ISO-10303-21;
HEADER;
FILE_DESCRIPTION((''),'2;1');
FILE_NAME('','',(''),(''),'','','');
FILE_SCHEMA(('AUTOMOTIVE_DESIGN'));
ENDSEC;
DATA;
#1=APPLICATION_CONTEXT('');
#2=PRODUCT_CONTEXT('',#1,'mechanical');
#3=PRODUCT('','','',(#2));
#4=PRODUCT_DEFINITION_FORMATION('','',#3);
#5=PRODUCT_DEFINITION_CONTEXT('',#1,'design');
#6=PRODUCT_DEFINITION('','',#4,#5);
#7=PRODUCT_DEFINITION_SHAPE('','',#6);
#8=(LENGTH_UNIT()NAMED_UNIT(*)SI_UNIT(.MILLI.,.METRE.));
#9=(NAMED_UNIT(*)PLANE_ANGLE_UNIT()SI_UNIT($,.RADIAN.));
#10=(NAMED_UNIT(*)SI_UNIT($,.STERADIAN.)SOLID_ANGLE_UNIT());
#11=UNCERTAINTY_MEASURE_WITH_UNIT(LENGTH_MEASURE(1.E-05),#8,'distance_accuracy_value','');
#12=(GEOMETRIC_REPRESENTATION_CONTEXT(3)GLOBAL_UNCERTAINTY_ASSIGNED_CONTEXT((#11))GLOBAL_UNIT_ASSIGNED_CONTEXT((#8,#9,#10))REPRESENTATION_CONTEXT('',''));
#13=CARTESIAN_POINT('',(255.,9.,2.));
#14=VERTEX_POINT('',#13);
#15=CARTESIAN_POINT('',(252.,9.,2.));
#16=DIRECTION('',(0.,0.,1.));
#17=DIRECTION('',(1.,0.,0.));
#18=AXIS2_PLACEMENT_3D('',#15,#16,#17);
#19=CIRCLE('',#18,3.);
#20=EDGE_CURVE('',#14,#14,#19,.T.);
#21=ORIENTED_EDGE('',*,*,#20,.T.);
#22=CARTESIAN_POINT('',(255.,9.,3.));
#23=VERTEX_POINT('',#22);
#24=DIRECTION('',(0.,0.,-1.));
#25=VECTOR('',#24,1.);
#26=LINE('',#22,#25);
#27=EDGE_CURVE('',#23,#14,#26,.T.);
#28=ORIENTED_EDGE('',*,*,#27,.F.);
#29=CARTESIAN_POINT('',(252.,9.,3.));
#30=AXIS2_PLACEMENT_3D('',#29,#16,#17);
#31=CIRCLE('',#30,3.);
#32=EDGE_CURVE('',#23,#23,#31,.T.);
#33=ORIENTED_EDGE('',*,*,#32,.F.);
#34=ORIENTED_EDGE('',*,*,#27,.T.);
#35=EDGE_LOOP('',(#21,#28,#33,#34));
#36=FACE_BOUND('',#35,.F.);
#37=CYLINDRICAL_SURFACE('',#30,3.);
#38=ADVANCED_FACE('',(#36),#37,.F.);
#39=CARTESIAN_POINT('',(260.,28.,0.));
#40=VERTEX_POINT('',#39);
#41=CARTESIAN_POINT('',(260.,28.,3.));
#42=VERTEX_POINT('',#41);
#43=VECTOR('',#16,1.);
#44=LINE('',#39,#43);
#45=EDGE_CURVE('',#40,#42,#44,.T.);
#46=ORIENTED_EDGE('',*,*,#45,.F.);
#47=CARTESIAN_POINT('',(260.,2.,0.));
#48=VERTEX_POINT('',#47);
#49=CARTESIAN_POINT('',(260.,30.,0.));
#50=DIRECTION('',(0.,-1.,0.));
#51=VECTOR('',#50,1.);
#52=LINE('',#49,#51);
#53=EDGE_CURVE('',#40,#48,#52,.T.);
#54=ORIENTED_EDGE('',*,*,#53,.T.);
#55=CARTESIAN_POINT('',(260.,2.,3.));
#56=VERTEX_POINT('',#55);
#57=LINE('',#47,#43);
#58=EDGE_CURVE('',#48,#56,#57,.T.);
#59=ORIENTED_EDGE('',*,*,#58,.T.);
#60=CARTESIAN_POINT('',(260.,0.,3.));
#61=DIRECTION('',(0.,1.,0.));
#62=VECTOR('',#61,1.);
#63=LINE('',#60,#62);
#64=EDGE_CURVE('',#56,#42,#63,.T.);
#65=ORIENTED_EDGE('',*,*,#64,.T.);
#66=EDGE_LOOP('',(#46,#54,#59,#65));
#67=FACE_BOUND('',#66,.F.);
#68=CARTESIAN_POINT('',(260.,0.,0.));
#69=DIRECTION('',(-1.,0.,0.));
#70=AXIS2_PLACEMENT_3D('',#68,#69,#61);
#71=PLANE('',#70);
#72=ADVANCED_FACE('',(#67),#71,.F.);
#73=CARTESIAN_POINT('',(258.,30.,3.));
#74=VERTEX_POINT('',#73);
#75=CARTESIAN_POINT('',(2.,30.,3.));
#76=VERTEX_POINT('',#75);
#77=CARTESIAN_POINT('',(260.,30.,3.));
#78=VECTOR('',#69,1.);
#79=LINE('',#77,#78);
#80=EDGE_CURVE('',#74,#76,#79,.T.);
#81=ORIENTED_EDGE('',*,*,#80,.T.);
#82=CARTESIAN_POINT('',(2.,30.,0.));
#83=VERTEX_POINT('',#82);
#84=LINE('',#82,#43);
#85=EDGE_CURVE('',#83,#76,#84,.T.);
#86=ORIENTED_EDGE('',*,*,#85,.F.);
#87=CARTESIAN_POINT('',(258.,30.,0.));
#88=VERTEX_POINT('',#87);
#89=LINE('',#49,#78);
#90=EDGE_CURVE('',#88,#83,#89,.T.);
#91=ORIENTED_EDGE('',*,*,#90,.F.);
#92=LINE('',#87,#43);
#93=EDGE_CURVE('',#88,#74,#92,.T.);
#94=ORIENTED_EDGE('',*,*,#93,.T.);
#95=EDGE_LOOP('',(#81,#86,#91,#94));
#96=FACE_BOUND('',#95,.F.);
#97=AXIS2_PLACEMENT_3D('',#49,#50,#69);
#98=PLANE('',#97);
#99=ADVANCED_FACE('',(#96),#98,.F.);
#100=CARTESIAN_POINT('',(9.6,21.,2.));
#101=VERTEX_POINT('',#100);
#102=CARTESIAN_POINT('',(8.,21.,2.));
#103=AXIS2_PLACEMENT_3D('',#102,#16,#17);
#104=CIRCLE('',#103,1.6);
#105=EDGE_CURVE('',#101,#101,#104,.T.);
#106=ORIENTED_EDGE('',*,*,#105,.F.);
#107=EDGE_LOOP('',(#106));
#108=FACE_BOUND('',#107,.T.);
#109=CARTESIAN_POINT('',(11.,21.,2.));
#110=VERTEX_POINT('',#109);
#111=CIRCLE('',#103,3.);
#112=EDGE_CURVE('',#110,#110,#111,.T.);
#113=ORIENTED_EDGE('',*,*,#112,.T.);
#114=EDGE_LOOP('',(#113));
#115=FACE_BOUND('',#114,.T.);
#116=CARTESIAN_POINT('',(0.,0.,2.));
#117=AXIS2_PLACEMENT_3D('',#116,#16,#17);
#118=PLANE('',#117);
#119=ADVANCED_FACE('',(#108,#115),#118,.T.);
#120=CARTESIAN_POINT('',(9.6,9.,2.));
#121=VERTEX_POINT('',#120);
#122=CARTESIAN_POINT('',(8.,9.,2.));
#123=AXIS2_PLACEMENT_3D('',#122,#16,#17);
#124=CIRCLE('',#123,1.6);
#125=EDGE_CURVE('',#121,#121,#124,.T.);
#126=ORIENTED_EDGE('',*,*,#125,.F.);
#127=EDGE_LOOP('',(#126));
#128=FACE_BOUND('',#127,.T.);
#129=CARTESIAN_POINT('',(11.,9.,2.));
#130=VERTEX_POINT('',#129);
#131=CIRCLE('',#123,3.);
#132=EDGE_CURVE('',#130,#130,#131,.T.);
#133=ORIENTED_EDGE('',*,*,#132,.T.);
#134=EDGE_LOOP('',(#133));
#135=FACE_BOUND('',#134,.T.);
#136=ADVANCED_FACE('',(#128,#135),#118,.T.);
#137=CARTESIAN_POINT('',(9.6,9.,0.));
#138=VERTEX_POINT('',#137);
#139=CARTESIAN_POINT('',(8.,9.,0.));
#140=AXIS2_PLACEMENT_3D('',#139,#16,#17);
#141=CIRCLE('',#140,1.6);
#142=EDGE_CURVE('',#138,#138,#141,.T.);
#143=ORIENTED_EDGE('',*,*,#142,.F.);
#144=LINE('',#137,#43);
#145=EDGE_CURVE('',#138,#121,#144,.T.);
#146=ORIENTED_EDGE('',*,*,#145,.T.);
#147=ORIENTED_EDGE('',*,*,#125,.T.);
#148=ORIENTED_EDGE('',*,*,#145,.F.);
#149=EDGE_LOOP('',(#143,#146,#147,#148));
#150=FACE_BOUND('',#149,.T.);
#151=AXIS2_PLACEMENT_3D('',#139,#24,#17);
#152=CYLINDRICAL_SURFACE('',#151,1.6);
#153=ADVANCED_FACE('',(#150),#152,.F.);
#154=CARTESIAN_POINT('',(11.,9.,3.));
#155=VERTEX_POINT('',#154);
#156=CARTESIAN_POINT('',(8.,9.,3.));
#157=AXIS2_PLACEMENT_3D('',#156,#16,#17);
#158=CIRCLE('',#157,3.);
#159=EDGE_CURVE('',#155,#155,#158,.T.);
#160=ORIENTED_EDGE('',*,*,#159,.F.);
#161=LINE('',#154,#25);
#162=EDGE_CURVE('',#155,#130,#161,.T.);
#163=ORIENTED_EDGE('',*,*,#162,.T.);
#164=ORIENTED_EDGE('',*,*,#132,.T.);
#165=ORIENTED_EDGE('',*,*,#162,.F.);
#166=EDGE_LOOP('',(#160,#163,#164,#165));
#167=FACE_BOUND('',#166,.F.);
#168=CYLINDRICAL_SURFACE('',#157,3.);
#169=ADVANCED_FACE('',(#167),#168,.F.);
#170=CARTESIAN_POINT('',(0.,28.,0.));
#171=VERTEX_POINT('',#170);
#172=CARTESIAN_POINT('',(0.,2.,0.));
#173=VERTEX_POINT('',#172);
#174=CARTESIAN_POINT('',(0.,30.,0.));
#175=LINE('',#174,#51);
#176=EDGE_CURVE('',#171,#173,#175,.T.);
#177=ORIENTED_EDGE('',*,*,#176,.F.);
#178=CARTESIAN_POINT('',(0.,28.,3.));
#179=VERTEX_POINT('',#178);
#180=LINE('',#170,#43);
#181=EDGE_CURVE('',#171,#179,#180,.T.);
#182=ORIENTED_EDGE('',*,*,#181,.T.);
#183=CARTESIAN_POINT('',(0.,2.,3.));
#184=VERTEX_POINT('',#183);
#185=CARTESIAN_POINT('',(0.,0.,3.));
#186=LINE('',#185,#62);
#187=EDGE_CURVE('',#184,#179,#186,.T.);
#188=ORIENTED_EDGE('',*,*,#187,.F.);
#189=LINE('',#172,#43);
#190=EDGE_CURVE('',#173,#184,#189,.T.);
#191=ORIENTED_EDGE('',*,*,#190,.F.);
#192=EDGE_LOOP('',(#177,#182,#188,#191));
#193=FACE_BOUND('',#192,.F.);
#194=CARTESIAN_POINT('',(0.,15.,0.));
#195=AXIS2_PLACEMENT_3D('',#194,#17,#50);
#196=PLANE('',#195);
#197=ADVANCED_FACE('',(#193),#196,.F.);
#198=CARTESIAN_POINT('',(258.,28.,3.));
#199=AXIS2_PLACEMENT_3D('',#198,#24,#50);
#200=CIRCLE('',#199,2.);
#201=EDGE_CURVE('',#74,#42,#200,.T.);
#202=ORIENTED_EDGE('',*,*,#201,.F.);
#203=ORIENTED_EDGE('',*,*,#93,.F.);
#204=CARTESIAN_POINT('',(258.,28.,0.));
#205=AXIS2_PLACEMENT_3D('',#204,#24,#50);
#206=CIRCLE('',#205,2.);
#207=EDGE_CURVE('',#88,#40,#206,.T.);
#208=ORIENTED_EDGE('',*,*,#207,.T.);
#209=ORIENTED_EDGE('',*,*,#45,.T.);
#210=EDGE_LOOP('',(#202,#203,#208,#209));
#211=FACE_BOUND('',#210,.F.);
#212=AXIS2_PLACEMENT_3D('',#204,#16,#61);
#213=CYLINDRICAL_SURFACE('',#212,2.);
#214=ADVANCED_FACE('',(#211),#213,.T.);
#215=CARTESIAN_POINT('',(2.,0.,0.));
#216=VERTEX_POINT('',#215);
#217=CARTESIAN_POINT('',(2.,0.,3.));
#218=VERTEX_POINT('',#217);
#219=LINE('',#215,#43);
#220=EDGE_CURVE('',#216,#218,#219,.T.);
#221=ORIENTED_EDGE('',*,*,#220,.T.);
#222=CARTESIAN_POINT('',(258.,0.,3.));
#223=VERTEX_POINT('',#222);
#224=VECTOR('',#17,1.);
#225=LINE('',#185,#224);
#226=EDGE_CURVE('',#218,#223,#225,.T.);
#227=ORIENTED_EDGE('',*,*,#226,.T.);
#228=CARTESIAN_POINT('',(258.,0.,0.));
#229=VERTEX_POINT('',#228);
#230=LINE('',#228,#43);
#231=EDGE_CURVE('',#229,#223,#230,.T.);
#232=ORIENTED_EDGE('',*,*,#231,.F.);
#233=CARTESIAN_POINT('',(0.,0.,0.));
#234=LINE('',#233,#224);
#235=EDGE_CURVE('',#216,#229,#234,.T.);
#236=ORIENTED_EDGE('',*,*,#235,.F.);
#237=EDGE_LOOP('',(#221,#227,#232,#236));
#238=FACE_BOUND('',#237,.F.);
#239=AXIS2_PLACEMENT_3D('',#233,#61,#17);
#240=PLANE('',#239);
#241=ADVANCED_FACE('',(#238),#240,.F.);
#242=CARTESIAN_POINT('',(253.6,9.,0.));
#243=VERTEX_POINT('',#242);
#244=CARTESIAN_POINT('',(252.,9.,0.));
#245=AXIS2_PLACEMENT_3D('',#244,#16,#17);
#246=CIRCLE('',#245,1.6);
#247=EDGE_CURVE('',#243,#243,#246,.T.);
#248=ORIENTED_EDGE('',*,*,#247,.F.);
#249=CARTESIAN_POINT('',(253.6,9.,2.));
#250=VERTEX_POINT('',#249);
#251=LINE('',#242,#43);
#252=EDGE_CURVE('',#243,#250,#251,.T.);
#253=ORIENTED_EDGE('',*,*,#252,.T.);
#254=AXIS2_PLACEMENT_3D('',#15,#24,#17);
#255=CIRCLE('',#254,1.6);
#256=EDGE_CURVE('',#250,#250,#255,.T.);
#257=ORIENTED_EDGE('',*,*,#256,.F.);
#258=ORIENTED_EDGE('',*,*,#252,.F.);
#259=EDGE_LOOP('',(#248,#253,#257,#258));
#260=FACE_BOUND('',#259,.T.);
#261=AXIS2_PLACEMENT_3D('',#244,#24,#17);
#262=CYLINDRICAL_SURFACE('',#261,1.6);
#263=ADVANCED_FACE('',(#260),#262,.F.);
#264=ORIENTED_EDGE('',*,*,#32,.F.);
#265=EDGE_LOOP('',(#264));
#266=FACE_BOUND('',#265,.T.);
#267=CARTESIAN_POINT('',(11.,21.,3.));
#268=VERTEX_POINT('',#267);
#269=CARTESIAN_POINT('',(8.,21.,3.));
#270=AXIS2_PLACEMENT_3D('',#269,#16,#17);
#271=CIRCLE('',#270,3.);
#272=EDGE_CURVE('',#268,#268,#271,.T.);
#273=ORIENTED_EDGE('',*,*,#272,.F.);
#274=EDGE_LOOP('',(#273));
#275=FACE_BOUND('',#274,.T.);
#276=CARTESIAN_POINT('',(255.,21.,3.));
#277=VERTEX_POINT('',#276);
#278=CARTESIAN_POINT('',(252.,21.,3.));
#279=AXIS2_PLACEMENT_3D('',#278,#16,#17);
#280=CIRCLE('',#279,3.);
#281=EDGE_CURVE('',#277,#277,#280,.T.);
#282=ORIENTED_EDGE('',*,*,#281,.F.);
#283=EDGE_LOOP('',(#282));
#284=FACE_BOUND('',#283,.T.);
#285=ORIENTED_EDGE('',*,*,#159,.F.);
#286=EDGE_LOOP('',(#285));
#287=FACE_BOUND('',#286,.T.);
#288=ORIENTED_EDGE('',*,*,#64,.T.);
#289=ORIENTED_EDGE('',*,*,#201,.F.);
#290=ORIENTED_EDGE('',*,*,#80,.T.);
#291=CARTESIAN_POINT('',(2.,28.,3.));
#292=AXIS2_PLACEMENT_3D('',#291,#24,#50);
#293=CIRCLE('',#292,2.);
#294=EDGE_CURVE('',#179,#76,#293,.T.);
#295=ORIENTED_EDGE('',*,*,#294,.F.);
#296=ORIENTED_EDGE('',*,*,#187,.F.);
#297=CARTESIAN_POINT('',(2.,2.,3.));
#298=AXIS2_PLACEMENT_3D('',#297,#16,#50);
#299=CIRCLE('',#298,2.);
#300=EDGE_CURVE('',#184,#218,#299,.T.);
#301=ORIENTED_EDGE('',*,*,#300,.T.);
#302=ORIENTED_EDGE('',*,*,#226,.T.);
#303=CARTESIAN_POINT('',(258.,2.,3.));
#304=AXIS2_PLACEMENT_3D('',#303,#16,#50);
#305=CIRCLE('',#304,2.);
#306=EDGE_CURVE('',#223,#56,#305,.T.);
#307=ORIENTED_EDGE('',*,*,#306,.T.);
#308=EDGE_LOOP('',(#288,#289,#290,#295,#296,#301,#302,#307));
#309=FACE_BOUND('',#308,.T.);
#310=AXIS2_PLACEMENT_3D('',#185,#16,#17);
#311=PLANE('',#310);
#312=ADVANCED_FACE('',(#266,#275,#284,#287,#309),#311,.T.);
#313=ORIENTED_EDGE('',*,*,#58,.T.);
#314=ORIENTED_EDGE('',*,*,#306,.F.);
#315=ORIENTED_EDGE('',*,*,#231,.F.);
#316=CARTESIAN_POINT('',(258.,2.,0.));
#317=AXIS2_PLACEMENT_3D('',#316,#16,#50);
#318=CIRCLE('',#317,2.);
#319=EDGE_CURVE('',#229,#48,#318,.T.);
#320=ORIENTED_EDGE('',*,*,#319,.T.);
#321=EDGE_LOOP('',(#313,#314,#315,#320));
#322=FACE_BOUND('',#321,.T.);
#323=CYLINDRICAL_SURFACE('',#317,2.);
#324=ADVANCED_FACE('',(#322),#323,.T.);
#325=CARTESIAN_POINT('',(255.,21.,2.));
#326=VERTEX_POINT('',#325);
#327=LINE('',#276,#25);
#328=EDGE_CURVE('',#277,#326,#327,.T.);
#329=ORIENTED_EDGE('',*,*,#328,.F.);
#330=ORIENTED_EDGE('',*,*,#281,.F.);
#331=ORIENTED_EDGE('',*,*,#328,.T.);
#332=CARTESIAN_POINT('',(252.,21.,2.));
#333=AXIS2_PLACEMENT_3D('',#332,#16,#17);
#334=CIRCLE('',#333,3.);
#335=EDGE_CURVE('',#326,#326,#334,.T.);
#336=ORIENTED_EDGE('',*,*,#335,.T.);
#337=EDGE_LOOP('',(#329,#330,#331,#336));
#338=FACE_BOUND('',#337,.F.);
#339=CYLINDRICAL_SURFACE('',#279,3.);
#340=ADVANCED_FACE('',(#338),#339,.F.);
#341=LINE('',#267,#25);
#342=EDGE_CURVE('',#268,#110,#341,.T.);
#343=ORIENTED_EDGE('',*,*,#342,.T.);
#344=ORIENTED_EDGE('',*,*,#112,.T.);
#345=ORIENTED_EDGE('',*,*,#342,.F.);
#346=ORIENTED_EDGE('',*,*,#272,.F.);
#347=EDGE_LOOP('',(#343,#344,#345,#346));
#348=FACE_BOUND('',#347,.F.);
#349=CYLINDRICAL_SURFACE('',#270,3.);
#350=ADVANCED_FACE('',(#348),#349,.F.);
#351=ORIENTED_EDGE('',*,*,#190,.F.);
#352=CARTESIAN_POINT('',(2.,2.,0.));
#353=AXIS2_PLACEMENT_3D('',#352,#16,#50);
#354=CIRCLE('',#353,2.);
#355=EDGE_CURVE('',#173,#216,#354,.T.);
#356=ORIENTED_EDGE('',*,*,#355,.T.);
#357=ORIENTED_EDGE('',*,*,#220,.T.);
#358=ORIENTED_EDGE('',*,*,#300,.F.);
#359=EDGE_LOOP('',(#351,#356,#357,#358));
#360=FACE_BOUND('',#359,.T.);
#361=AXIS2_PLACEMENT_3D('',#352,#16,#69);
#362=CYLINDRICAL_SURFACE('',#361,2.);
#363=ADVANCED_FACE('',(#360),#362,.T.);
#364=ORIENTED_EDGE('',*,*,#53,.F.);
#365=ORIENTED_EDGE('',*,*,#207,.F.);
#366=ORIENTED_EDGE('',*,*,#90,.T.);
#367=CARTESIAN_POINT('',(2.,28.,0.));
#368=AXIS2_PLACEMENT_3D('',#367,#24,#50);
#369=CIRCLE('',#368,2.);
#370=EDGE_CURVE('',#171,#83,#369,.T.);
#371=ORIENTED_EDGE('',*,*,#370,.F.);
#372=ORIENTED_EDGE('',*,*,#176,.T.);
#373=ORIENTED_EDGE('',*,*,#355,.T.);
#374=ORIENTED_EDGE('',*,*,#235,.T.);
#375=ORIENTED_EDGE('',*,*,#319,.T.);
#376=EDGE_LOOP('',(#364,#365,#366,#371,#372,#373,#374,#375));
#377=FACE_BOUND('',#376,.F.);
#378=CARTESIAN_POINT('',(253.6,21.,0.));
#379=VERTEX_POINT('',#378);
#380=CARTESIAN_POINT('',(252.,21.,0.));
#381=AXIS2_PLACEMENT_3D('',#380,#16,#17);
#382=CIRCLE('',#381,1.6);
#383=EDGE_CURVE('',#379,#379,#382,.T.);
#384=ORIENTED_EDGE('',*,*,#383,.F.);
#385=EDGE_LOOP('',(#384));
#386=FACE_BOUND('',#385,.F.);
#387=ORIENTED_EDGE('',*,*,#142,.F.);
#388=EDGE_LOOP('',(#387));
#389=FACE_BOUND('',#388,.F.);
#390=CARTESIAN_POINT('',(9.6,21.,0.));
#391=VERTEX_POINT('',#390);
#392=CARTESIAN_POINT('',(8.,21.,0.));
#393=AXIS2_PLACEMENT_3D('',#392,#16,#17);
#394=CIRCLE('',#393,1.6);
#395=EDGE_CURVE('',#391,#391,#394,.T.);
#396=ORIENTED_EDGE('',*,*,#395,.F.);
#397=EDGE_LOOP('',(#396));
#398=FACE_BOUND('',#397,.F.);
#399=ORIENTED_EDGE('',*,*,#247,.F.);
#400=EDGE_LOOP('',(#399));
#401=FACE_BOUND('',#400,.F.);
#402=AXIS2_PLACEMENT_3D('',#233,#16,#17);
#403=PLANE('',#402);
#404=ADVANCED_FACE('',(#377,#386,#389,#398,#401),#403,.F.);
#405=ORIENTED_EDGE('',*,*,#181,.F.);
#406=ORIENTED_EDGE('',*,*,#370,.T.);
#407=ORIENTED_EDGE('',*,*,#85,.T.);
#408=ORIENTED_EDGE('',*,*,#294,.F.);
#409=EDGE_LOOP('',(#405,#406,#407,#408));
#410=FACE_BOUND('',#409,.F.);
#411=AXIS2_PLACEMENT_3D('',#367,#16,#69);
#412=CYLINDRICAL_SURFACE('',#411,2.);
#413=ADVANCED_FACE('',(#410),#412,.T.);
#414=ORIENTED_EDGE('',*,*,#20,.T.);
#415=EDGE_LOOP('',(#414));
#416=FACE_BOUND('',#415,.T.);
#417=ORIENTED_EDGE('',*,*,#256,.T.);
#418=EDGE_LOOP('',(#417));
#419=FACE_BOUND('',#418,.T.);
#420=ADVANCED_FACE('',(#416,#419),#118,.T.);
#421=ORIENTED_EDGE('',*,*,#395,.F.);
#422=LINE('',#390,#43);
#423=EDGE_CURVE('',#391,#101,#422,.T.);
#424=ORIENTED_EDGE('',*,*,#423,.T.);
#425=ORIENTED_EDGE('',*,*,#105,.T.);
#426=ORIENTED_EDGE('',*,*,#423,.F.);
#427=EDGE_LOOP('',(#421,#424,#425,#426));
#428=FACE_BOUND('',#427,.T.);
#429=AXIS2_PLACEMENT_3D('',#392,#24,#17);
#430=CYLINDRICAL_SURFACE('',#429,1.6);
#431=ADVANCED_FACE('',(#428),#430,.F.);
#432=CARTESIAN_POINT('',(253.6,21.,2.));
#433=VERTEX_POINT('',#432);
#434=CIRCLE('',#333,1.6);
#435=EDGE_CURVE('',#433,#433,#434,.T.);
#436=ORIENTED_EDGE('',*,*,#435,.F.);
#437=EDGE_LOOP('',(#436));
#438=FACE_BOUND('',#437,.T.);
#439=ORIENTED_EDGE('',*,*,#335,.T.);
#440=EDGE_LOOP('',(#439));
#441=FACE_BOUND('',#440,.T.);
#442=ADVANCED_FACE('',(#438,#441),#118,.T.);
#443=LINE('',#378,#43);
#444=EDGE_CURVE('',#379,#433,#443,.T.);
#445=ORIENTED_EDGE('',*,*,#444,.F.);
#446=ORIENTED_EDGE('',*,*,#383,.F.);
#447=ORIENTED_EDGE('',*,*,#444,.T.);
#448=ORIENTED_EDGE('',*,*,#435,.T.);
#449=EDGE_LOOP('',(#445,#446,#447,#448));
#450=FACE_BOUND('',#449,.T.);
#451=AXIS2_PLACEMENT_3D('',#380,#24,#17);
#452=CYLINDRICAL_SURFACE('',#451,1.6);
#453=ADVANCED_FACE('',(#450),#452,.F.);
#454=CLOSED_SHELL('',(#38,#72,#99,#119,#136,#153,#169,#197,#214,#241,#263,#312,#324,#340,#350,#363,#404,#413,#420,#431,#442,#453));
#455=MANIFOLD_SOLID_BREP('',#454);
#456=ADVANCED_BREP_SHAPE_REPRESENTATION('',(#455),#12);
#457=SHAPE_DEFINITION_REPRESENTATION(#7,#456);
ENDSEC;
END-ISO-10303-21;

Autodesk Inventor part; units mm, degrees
ref_plane "YZ Plane" through (0, 0, 0) normal (1, 0, 0) x (0, 1, 0)
ref_plane "XZ Plane" through (0, 0, 0) normal (0, 1, 0) x (-1, 0, 0)
ref_plane "XY Plane" through (0, 0, 0) normal (0, 0, 1) x (1, 0, 0)
sketch "スケッチ1" plane through (0, 0, 0) normal (0, 0, 1) x (1, 0, 0)
  line L0 (0, 0) -> (260, 0)
  line L1 (260, 0) -> (260, 30)
  line L2 (260, 30) -> (0, 30)
  line L3 (0, 30) -> (0, 0)
  line L4 (0, 15) -> (260, 15)
  circle A0 centre (8, 21) radius 1.6
  circle A1 centre (8, 9) radius 1.6
  circle A2 centre (252, 21) radius 1.6
  circle A3 centre (252, 9) radius 1.6
  point P0 (8, 15)
  point P1 (252, 15)
  dimension "d0" = 260
  dimension "d1" = 244
  dimension "d2" = 8
  dimension "d3" = 30
  dimension "d4" = 15
  dimension "d5" = 9
  dimension "d6" = 9
  dimension "d7" = 9
  dimension "d8" = 9
  dimension "d9" = 3.2
  dimension "d10" = 3.2
  dimension "d11" = 3.2
  dimension "d12" = 3.2
extrude "押し出し1" add sketch "スケッチ1" along normal blind 3
sketch "スケッチ2" plane through (0, 0, 3) normal (0, 0, 1) x (1, 0, 0)
  line L0 (0, 30) -> (0, 0) projected
  line L1 (0, 0) -> (260, 0) projected
  line L2 (260, 0) -> (260, 30) projected
  line L3 (260, 30) -> (0, 30) projected
  circle A0 centre (8, 9) radius 1.6 projected
  circle A1 centre (252, 9) radius 1.6 projected
  circle A2 centre (252, 21) radius 1.6 projected
  circle A3 centre (8, 21) radius 1.6 projected
  circle A4 centre (8, 21) radius 3
  circle A5 centre (8, 9) radius 3
  circle A6 centre (252, 21) radius 3
  circle A7 centre (252, 9) radius 3
  dimension "d15" = 6
  dimension "d16" = 6
  dimension "d17" = 6
  dimension "d18" = 6
extrude "押し出し2" cut sketch "スケッチ2" against normal blind 1 contours A1 | A4 | A5 | A6 | A7
fillet "フィレット1" radius 2 4 edges at (260, 30, 1.5) (260, 0, 1.5) (0, 30, 1.5) (0, 0, 1.5)
equation "\"d2\" = -0.5 * d1 + 0.5 * d0"
equation "\"d4\" = 0.5 * d3"
equation "\"d6\" = d5"
equation "\"d7\" = d5"
equation "\"d8\" = d7"
equation "\"d10\" = d9"
equation "\"d11\" = d9"
equation "\"d12\" = d11"
equation "\"d16\" = d15"
equation "\"d17\" = d16"
equation "\"d18\" = d17"
properties part number "BP_BOX-Support-Bar"
